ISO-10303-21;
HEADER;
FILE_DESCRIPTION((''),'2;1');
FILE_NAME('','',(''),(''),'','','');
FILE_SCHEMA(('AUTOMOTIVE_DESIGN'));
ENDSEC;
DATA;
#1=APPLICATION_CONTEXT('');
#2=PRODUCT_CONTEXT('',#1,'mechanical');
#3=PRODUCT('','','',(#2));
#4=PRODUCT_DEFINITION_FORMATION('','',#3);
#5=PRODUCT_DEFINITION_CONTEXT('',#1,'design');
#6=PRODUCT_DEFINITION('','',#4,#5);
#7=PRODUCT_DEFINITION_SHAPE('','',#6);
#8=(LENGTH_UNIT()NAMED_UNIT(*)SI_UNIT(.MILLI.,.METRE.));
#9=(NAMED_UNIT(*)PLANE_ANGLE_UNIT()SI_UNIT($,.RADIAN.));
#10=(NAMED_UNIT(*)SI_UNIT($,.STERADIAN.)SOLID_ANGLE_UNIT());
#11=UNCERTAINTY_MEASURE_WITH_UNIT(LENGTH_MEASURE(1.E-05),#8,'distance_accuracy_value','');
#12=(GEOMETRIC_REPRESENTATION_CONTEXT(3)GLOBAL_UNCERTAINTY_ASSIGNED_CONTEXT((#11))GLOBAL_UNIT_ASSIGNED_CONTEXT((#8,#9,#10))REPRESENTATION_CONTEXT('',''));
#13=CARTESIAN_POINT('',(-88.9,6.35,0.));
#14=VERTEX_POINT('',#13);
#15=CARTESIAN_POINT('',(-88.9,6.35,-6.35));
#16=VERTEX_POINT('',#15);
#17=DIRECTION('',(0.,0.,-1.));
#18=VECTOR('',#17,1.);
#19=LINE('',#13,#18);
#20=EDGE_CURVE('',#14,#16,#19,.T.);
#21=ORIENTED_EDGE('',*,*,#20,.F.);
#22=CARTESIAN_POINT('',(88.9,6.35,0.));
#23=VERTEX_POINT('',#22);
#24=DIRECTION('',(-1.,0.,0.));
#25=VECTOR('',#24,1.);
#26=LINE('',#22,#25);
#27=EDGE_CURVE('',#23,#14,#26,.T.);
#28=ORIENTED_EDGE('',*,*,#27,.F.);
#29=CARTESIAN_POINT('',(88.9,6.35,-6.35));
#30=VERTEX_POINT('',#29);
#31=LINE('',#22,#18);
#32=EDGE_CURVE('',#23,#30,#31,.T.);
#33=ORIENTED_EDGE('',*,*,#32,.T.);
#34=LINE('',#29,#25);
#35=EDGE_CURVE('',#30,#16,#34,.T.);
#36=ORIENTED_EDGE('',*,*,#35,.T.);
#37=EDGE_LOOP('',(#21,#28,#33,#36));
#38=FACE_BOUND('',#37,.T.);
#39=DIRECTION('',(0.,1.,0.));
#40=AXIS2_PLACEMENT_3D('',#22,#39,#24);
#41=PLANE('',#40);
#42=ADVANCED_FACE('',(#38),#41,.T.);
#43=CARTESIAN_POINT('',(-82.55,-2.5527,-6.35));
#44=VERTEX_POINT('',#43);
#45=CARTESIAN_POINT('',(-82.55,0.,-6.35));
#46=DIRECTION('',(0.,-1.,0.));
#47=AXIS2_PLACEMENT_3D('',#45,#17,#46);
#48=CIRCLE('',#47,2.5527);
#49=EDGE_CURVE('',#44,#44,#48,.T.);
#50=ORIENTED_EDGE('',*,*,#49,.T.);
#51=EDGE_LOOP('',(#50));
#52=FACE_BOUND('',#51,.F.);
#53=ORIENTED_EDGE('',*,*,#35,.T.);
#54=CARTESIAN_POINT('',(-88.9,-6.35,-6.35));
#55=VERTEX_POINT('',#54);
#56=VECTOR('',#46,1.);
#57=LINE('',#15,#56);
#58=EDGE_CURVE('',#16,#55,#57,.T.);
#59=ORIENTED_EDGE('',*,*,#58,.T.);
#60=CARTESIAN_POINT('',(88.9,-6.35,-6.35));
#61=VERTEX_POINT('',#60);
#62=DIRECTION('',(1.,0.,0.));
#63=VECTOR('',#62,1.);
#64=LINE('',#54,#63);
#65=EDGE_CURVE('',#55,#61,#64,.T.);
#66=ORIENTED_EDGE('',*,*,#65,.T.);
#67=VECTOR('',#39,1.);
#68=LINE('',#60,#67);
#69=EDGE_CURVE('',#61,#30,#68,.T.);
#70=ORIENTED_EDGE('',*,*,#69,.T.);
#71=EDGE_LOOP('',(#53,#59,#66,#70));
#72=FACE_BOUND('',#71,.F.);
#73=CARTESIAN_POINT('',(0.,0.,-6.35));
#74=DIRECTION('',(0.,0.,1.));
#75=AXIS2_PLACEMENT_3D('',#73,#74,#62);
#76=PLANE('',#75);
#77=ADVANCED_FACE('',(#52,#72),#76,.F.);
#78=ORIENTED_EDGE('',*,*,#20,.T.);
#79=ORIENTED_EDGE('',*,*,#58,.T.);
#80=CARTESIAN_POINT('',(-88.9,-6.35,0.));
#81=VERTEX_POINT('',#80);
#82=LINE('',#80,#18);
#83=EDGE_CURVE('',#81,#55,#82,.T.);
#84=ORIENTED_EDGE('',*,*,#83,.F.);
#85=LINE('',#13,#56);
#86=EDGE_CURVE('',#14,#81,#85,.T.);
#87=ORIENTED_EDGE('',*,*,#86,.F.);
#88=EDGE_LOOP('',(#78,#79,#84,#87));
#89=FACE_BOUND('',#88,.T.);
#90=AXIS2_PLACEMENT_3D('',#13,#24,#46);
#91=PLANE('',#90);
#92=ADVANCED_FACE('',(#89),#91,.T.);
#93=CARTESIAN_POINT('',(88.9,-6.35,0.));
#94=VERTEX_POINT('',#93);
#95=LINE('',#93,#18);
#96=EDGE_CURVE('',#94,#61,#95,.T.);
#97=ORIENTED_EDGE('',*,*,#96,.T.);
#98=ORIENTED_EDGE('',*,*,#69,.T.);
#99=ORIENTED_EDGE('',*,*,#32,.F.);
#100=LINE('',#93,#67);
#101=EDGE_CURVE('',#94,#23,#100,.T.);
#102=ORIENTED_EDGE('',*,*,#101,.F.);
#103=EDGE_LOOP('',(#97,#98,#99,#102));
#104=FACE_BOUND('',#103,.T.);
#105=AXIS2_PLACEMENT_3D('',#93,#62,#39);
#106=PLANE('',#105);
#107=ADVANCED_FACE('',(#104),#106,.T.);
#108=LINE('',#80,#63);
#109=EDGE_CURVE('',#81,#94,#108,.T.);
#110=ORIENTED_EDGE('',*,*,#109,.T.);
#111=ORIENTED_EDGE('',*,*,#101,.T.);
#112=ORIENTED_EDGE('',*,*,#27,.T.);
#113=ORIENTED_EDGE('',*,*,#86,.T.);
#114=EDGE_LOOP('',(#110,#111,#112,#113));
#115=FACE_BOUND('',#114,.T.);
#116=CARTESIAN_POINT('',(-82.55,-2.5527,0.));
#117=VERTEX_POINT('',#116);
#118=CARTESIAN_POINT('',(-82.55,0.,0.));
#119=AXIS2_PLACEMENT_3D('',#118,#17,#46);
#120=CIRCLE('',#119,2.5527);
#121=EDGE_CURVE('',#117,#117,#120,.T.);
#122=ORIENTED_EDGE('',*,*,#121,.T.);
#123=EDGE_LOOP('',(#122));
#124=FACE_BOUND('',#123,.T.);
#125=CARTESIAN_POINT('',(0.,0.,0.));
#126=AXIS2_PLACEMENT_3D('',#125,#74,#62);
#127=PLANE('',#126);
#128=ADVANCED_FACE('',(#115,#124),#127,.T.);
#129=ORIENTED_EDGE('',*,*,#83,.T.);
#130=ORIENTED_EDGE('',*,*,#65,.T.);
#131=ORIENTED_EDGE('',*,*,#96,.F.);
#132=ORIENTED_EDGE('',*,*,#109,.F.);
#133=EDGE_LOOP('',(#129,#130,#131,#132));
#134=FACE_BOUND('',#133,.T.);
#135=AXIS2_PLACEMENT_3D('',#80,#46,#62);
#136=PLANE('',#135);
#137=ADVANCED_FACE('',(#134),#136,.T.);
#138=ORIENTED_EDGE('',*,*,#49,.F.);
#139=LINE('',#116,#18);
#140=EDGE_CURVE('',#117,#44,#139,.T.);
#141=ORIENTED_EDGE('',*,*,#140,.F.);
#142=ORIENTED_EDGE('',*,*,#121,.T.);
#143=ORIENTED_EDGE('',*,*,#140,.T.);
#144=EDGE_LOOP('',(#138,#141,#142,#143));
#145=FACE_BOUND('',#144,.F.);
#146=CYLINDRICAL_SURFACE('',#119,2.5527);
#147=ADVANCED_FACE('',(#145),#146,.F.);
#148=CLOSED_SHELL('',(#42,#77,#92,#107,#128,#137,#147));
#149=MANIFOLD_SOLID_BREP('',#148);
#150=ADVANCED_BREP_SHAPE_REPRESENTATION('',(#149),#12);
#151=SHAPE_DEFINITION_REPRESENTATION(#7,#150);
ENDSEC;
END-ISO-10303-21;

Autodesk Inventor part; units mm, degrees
ref_plane "YZ Plane" through (0, 0, 0) normal (1, 0, 0) x (0, 1, 0)
ref_plane "XZ Plane" through (0, 0, 0) normal (0, 1, 0) x (-1, 0, 0)
ref_plane "XY Plane" through (0, 0, 0) normal (0, 0, 1) x (1, 0, 0)
sketch "Sketch1" plane through (0, 0, 0) normal (0, 0, 1) x (1, 0, 0)
  line L0 (-88.9, -6.35) -> (88.9, -6.35)
  line L1 (88.9, -6.35) -> (88.9, 6.35)
  line L2 (88.9, 6.35) -> (-88.9, 6.35)
  line L3 (-88.9, 6.35) -> (-88.9, -6.35)
  line L4 (-88.9, -6.35) -> (88.9, 6.35) construction
  line L5 (88.9, -6.35) -> (-88.9, 6.35) construction
  point P0 (0, 0)
  point P1 (-82.55, 0)
  dimension "d0" = 177.8
  dimension "d1" = 12.7
  dimension "d2" = 6.35
extrude "Extrusion1" add sketch "Sketch1" against normal blind 6.35
hole "Hole1" at (-82.55, 0, 0) direction (0, 0, -1) diameter 5.1054 end through all clearance for "Flat Head Machine Screw (82)" size "#10" standard "Ansi Unified Screw Threads"
properties part number "CL6-007" material "Aluminum 6061"
